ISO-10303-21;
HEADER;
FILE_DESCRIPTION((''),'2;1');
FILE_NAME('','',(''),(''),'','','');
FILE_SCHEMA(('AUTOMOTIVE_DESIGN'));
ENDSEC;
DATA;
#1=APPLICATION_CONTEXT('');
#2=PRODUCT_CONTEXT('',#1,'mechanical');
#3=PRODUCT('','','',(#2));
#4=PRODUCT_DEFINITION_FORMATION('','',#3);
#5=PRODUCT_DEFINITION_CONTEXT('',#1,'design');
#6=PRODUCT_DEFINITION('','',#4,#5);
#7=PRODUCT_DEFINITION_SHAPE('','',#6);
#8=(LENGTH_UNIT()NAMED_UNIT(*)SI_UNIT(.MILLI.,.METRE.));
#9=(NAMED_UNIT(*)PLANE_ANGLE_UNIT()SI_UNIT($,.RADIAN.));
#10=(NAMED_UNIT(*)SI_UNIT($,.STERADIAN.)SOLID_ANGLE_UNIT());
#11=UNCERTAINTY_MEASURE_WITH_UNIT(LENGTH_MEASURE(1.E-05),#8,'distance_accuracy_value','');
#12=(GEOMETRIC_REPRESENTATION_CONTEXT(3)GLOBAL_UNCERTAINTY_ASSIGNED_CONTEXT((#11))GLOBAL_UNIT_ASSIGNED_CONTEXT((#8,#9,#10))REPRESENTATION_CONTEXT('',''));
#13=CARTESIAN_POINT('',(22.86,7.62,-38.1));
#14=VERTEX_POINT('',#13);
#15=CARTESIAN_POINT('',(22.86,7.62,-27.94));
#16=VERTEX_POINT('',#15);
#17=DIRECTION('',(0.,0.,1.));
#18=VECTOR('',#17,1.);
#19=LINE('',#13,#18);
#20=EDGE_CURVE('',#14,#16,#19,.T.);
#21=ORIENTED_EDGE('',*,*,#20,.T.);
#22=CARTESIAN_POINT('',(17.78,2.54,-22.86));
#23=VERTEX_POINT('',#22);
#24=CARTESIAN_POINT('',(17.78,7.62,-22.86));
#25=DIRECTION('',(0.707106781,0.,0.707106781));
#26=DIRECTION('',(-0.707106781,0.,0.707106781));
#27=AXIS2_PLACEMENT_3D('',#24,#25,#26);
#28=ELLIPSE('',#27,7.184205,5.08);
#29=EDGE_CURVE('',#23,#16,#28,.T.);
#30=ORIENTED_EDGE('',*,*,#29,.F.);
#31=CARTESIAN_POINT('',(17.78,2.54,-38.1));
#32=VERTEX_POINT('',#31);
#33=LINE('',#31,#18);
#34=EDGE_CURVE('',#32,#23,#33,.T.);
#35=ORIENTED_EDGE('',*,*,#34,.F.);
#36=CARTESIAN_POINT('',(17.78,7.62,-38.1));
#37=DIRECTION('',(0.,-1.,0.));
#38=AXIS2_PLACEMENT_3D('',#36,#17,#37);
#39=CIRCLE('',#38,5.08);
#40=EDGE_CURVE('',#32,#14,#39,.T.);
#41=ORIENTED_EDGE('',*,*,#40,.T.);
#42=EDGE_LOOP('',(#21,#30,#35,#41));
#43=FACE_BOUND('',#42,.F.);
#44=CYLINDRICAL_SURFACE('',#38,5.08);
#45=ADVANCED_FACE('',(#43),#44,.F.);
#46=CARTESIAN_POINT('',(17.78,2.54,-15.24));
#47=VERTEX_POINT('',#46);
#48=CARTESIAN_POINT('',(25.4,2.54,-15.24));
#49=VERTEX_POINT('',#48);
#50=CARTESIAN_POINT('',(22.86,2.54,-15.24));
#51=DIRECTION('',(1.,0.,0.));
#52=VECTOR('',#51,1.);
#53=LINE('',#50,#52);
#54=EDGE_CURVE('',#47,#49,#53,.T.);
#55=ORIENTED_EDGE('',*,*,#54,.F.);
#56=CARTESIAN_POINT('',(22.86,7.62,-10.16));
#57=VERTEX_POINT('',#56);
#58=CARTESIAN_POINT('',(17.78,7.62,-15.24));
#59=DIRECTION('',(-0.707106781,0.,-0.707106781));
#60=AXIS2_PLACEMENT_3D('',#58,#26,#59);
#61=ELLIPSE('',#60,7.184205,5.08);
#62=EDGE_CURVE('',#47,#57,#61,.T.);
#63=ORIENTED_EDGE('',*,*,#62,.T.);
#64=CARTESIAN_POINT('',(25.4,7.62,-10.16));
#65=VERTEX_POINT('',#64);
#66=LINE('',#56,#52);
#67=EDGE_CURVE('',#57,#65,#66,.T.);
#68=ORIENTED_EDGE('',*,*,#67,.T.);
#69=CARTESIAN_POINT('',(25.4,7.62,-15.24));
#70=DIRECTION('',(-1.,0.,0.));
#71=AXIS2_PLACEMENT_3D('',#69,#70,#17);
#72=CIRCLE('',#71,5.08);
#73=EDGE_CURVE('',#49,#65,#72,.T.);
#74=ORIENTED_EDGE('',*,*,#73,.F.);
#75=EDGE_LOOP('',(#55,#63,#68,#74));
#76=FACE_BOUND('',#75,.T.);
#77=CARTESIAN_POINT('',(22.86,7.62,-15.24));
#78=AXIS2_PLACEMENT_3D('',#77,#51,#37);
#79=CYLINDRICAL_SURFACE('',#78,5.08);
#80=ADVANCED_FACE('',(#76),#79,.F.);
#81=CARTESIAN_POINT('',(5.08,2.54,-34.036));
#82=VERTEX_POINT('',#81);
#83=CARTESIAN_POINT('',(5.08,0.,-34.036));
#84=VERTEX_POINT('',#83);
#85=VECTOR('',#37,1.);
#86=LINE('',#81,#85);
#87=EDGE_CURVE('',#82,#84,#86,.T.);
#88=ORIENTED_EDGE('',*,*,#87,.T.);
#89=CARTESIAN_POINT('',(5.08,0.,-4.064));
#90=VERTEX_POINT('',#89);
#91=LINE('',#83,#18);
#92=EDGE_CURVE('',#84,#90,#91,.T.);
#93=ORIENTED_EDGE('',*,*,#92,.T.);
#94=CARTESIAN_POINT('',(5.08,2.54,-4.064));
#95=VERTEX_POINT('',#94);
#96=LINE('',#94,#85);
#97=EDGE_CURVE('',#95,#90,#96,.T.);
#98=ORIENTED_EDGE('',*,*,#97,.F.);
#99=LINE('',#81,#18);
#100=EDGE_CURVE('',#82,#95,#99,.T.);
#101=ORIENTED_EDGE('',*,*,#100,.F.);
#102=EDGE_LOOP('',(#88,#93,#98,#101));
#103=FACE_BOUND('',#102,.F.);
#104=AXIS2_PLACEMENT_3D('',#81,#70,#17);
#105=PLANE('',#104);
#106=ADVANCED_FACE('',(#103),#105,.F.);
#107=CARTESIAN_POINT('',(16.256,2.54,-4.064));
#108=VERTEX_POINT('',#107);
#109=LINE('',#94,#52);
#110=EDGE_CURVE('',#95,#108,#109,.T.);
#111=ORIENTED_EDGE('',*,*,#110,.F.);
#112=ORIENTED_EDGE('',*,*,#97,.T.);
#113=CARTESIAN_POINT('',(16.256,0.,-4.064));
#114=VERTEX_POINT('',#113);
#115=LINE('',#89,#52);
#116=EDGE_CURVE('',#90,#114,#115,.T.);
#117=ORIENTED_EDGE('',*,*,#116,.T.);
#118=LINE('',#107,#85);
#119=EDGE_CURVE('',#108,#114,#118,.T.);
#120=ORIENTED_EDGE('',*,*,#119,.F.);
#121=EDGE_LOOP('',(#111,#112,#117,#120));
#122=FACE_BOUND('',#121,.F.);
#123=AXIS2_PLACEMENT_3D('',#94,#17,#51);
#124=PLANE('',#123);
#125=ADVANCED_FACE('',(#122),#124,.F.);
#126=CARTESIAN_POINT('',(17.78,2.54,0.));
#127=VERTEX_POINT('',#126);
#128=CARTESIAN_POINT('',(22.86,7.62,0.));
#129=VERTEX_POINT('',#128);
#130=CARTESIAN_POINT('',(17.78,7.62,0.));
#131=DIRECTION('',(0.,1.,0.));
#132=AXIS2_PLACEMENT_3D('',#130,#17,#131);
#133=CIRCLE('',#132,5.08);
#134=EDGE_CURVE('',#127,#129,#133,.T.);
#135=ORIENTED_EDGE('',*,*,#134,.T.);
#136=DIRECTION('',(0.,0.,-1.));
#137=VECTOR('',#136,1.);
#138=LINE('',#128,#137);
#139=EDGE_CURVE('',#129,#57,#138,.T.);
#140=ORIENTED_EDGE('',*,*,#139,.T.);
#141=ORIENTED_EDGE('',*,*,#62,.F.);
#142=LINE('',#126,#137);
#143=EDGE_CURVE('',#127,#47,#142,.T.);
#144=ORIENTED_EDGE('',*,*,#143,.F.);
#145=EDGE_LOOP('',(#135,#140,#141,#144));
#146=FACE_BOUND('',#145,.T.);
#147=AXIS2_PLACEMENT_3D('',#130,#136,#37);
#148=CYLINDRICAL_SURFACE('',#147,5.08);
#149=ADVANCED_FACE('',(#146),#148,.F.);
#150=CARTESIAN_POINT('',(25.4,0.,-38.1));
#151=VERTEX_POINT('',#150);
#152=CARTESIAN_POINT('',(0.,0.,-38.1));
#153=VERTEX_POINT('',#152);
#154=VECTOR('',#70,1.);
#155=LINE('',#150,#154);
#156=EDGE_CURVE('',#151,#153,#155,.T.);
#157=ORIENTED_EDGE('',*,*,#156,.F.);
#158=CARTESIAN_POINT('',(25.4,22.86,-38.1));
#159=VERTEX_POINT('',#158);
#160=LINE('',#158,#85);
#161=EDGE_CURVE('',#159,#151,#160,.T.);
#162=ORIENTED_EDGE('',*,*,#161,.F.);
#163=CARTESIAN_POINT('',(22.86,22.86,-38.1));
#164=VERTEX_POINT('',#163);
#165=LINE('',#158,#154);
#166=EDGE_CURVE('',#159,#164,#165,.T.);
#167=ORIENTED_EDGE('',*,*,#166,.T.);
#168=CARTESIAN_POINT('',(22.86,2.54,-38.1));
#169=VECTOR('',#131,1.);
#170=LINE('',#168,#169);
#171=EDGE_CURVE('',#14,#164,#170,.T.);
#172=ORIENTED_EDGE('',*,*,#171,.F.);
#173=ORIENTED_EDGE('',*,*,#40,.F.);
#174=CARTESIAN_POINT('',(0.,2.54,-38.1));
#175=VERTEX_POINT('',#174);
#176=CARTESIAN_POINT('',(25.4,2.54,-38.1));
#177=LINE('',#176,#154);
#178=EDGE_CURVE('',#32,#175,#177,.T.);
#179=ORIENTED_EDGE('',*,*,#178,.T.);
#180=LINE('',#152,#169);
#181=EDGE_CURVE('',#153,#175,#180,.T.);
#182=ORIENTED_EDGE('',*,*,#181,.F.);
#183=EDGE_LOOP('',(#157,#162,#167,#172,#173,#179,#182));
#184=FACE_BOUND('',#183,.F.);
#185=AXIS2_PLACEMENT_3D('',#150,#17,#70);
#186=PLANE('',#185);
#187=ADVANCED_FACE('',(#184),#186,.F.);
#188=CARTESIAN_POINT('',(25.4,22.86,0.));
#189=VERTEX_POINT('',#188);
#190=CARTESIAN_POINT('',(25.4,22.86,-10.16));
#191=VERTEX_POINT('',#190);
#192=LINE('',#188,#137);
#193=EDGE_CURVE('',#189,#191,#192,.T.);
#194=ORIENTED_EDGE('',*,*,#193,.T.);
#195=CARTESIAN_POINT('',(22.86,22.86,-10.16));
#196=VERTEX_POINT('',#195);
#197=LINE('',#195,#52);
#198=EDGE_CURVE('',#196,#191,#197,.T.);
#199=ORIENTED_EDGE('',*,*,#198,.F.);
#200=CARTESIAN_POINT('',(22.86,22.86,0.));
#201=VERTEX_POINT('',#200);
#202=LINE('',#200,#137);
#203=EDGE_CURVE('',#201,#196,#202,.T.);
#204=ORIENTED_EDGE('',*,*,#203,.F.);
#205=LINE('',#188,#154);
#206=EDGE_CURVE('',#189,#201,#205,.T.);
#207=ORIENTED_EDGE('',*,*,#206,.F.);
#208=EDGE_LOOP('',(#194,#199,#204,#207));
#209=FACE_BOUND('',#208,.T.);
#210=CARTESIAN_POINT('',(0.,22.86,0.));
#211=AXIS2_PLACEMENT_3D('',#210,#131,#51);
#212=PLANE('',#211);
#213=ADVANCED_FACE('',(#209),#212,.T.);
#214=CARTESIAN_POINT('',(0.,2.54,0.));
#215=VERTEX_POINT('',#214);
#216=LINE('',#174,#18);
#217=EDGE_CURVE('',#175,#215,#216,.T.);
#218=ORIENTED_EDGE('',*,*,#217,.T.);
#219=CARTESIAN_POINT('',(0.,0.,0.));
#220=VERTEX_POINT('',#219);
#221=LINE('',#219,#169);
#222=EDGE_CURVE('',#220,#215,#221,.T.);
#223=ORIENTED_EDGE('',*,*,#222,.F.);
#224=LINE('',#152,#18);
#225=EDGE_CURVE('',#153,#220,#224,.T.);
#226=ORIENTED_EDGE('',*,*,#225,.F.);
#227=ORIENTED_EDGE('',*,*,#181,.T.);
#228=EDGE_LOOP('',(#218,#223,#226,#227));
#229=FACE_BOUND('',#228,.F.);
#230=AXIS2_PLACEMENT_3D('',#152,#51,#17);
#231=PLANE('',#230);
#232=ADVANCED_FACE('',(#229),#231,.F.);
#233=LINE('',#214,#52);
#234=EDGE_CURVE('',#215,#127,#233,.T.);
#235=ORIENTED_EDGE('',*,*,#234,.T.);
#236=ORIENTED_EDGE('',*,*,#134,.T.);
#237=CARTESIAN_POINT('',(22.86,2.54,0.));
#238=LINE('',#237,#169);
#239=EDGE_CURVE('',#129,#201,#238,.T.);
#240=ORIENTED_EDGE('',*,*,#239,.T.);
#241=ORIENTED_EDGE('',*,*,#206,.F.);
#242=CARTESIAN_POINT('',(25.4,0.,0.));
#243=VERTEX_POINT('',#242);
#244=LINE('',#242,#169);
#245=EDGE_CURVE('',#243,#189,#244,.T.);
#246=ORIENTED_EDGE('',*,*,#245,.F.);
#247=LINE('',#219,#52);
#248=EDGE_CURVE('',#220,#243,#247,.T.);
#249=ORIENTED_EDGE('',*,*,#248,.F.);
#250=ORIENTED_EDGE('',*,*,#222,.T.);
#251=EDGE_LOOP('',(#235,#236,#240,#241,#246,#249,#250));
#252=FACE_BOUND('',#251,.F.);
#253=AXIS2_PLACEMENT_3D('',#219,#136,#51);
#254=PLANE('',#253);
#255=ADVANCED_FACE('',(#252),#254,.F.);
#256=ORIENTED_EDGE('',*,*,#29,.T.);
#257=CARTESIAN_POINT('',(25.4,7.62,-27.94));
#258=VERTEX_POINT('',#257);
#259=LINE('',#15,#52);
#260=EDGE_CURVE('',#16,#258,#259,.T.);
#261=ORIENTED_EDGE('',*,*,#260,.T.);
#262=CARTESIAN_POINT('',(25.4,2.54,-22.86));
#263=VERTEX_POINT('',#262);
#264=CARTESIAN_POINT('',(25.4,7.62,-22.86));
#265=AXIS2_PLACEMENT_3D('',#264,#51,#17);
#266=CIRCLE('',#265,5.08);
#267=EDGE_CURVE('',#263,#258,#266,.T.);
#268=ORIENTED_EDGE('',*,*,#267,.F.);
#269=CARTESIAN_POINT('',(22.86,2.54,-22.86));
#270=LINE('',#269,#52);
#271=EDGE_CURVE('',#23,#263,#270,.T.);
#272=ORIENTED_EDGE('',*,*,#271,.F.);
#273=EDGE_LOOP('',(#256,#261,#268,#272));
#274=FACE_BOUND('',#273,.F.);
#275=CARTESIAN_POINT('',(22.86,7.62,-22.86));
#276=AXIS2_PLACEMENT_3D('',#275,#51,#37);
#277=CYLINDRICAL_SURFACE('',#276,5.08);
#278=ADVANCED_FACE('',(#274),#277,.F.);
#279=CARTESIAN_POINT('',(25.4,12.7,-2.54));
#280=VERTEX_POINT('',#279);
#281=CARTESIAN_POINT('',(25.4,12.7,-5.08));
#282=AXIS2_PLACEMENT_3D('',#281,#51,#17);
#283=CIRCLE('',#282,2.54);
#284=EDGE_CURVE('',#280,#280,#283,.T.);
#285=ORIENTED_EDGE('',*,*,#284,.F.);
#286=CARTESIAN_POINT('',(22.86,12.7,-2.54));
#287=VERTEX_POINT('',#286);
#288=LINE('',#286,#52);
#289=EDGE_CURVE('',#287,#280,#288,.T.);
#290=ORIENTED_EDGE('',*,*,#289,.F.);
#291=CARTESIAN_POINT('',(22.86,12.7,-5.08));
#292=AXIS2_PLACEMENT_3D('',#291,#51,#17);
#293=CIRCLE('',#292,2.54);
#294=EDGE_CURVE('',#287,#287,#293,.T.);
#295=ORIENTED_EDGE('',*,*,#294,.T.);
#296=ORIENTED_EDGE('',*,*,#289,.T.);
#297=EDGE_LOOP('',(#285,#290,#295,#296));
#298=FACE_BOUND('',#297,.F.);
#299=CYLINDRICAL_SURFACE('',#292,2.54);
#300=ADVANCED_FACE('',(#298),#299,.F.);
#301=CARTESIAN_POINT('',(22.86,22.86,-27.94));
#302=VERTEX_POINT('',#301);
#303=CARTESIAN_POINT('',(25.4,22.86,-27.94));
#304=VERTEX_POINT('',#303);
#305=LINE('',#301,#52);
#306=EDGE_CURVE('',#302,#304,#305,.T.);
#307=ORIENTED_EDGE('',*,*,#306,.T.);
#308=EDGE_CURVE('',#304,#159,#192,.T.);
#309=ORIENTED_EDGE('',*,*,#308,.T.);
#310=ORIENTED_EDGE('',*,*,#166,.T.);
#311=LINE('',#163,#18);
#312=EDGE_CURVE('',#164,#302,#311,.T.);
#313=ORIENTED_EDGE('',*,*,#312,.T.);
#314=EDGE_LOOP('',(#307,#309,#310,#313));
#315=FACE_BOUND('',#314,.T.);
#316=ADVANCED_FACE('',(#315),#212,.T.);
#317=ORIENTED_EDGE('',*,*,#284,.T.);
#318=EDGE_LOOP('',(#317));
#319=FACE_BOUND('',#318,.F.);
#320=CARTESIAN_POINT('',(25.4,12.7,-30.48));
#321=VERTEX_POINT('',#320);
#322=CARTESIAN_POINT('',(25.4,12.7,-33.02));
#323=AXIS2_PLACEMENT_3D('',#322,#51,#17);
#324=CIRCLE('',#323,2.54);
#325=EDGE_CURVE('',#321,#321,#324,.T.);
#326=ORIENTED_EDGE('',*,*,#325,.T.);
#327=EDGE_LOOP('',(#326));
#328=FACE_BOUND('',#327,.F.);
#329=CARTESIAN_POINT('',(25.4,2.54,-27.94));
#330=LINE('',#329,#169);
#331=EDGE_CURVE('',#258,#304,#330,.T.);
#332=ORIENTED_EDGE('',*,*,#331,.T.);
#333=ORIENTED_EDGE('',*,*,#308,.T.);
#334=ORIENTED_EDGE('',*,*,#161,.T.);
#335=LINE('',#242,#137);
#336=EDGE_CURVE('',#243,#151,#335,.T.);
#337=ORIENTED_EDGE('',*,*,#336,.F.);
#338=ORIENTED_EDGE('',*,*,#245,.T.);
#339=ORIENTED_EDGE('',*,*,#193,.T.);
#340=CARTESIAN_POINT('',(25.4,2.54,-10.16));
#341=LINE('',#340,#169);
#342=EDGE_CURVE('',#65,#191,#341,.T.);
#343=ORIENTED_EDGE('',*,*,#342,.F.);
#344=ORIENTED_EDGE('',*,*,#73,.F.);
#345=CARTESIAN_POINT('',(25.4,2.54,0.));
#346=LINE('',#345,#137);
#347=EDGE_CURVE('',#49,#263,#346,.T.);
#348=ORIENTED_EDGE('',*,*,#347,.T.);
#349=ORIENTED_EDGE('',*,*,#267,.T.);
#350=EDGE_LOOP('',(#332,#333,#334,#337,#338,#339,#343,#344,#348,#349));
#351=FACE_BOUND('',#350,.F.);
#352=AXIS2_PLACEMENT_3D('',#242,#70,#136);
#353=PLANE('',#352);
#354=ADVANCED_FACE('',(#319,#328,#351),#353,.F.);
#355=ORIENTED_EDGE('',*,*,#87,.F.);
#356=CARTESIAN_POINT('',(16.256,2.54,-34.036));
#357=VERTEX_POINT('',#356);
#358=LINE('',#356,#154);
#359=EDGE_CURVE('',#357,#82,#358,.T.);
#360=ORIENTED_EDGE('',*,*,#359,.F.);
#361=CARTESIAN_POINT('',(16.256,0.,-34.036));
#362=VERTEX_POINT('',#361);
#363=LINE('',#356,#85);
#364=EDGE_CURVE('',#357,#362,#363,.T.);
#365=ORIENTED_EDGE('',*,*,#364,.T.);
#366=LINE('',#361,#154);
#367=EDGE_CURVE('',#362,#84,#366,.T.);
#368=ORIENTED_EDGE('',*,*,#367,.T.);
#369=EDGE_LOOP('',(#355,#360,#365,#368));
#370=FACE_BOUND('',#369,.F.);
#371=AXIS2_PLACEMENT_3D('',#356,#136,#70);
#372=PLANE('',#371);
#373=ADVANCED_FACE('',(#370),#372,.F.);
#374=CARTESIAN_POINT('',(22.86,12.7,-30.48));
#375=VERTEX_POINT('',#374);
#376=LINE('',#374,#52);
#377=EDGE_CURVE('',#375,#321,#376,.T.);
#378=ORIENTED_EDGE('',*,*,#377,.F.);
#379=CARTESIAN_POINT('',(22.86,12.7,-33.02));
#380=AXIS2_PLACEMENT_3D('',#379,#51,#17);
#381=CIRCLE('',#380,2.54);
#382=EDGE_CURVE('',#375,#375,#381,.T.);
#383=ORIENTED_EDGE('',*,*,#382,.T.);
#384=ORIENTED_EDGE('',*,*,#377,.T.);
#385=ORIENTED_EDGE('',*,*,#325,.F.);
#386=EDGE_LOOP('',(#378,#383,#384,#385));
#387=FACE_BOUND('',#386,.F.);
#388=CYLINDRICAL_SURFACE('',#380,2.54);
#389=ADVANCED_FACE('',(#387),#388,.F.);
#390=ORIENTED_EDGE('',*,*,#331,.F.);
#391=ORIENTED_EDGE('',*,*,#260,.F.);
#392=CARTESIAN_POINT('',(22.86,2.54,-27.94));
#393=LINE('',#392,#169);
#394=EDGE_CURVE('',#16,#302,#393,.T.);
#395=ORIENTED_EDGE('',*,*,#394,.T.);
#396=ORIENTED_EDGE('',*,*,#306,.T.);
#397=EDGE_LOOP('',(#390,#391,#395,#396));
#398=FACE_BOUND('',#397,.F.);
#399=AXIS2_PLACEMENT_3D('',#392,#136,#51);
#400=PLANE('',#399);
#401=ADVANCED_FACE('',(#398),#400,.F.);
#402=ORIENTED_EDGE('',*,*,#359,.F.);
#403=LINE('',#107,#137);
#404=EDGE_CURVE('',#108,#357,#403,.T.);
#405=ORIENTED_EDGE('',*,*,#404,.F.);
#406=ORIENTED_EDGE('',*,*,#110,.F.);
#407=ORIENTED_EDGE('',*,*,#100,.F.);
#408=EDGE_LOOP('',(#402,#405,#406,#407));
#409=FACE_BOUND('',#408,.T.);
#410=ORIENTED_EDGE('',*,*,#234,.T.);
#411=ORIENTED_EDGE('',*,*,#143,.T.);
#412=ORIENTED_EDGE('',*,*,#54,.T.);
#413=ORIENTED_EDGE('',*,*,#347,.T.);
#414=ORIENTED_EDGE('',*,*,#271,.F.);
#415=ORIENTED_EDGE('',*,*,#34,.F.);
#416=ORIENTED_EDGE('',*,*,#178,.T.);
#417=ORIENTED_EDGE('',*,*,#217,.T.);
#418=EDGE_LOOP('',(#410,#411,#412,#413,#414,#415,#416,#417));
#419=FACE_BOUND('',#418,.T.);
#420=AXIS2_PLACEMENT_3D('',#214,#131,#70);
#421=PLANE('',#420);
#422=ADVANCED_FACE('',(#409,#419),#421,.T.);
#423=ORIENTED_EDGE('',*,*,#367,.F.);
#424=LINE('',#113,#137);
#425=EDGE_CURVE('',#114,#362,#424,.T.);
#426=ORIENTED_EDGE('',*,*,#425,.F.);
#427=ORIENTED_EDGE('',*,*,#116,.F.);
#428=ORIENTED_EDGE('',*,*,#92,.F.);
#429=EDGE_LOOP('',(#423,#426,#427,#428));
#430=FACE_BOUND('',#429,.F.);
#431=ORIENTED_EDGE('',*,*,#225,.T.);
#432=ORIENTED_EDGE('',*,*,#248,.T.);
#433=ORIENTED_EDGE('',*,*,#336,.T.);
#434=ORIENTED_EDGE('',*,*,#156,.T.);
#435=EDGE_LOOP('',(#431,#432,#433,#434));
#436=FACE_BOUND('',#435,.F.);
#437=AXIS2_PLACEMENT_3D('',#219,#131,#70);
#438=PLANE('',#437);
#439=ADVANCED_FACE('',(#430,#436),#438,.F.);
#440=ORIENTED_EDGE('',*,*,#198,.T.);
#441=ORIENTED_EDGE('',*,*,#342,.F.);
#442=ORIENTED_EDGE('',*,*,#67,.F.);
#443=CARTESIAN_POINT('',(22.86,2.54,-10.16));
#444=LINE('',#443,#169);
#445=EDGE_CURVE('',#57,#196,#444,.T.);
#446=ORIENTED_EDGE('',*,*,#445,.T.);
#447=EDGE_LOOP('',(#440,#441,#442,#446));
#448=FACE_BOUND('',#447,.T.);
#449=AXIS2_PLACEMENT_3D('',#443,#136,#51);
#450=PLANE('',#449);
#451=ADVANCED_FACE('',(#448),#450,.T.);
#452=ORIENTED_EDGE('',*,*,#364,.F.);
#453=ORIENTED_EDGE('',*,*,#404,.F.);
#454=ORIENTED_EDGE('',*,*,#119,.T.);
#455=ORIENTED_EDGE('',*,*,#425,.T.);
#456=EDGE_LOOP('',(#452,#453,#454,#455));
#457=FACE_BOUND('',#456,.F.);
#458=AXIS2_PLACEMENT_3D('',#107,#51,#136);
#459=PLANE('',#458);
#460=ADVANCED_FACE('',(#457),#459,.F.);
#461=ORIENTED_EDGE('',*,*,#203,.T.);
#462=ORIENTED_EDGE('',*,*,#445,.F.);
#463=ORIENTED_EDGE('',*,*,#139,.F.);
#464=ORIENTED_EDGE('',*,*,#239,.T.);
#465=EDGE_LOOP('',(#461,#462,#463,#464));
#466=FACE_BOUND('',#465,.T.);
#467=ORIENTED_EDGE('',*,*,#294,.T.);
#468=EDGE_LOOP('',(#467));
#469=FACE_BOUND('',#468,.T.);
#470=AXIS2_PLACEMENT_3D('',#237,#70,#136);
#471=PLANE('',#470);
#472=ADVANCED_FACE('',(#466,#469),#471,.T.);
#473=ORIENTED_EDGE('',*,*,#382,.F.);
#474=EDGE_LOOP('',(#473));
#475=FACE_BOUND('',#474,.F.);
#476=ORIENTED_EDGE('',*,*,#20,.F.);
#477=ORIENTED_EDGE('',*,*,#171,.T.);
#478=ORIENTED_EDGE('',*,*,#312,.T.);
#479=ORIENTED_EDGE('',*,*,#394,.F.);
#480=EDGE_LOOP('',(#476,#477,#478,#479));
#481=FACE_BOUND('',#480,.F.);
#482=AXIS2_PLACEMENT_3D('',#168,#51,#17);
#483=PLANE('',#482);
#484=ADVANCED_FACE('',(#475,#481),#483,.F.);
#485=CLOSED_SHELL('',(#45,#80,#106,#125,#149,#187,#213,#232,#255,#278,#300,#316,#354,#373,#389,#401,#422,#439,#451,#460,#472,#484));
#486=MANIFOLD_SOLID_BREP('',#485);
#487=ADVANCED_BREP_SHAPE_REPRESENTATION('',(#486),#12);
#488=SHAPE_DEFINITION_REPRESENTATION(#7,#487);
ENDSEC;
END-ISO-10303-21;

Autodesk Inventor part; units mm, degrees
ref_plane "YZ Plane" through (0, 0, 0) normal (1, 0, 0) x (0, 1, 0)
ref_plane "XZ Plane" through (0, 0, 0) normal (0, 1, 0) x (-1, 0, 0)
ref_plane "XY Plane" through (0, 0, 0) normal (0, 0, 1) x (1, 0, 0)
sketch "Sketch1" plane through (0, 0, 0) normal (0, 1, 0) x (-1, 0, 0)
  line L0 (0, 0) -> (-25.4, 0)
  line L1 (-25.4, 0) -> (-25.4, -38.1)
  line L2 (-25.4, -38.1) -> (0, -38.1)
  line L3 (0, -38.1) -> (0, 0)
  dimension "d0" = 25.4
  dimension "d1" = 38.1
extrude "Extrusion1" add sketch "Sketch1" along normal blind 2.54
sketch "Sketch3" plane through (0, 2.54, 0) normal (0, 1, 0) x (1, 0, 0)
  line L0 (0, 0) -> (5.08, 0)
  line L1 (5.08, 0) -> (5.08, 4.064)
  line L2 (5.08, 4.064) -> (0, 4.064)
  line L3 (0, 4.064) -> (0, 0)
  line L4 (25.4, 38.1) -> (0, 38.1) projected
  line L5 (0, 38.1) -> (5.08, 38.1)
  line L6 (5.08, 38.1) -> (5.08, 34.036)
  line L7 (5.08, 34.036) -> (0, 34.036)
  line L8 (0, 34.036) -> (0, 38.1)
  line L9 (5.08, 4.064) -> (16.256, 4.064)
  line L10 (16.256, 4.064) -> (16.256, 34.036)
  line L11 (16.256, 34.036) -> (5.08, 34.036)
  line L12 (5.08, 34.036) -> (5.08, 4.064)
  dimension "d7" = 5.08
  dimension "d8" = 4.064
  dimension "d9" = 5.08
  dimension "d10" = 4.064
  dimension "d11" = 11.176
extrude "Extrusion2" cut sketch "Sketch3" against normal blind 2.54 contours L12 L11 L10 L9
sketch "Sketch4" plane through (0, 2.54, 0) normal (0, 1, 0) x (1, 0, 0)
  line L0 (25.4, 0) -> (25.4, 38.1) projected
  line L1 (25.4, 0) -> (22.86, 0)
  line L2 (22.86, 0) -> (22.86, 10.16)
  line L3 (22.86, 10.16) -> (25.4, 10.16)
  line L4 (25.4, 10.16) -> (25.4, 0)
  line L5 (25.4, 38.1) -> (22.86, 38.1)
  line L6 (22.86, 38.1) -> (22.86, 27.94)
  line L7 (22.86, 27.94) -> (25.4, 27.94)
  line L8 (25.4, 27.94) -> (25.4, 38.1)
  point P0 (0, 0)
  dimension "d14" = 2.54
  dimension "d15" = 10.16
  dimension "d16" = 2.54
  dimension "d17" = 10.16
extrude "Extrusion3" add sketch "Sketch4" along normal blind 20.32
sketch "Sketch5" plane through (22.86, 2.54, -10.16) normal (-1, 0, 0) x (0, 0, 1)
  line L0 (10.16, 20.32) -> (0, 20.32) projected
  line L1 (5.08, 20.32) -> (5.08, 10.16)
  point P0 (10.16, -2.54)
  dimension "d20" = 10.16
hole "Hole1" at (22.86, 12.7, -5.08) direction (1, 0, 0) diameter 5.08 end through all
sketch "Sketch6" plane through (22.86, 2.54, -38.1) normal (-1, 0, 0) x (0, 0, 1)
  line L0 (10.16, 20.32) -> (0, 20.32) projected
  line L1 (5.08, 20.32) -> (5.08, 10.16)
  point P0 (38.1, -2.54)
  dimension "d28" = 10.16
hole "Hole2" at (22.86, 12.7, -33.02) direction (1, 0, 0) diameter 5.08 end through all
fillet "Fillet1" radius 5.08 4 edges at (22.86, 2.54, -5.08) (22.86, 2.54, -33.02) (24.13, 2.54, -27.94) (24.13, 2.54, -10.16)
properties part number "Actobotics Power Switch Mount v2"
